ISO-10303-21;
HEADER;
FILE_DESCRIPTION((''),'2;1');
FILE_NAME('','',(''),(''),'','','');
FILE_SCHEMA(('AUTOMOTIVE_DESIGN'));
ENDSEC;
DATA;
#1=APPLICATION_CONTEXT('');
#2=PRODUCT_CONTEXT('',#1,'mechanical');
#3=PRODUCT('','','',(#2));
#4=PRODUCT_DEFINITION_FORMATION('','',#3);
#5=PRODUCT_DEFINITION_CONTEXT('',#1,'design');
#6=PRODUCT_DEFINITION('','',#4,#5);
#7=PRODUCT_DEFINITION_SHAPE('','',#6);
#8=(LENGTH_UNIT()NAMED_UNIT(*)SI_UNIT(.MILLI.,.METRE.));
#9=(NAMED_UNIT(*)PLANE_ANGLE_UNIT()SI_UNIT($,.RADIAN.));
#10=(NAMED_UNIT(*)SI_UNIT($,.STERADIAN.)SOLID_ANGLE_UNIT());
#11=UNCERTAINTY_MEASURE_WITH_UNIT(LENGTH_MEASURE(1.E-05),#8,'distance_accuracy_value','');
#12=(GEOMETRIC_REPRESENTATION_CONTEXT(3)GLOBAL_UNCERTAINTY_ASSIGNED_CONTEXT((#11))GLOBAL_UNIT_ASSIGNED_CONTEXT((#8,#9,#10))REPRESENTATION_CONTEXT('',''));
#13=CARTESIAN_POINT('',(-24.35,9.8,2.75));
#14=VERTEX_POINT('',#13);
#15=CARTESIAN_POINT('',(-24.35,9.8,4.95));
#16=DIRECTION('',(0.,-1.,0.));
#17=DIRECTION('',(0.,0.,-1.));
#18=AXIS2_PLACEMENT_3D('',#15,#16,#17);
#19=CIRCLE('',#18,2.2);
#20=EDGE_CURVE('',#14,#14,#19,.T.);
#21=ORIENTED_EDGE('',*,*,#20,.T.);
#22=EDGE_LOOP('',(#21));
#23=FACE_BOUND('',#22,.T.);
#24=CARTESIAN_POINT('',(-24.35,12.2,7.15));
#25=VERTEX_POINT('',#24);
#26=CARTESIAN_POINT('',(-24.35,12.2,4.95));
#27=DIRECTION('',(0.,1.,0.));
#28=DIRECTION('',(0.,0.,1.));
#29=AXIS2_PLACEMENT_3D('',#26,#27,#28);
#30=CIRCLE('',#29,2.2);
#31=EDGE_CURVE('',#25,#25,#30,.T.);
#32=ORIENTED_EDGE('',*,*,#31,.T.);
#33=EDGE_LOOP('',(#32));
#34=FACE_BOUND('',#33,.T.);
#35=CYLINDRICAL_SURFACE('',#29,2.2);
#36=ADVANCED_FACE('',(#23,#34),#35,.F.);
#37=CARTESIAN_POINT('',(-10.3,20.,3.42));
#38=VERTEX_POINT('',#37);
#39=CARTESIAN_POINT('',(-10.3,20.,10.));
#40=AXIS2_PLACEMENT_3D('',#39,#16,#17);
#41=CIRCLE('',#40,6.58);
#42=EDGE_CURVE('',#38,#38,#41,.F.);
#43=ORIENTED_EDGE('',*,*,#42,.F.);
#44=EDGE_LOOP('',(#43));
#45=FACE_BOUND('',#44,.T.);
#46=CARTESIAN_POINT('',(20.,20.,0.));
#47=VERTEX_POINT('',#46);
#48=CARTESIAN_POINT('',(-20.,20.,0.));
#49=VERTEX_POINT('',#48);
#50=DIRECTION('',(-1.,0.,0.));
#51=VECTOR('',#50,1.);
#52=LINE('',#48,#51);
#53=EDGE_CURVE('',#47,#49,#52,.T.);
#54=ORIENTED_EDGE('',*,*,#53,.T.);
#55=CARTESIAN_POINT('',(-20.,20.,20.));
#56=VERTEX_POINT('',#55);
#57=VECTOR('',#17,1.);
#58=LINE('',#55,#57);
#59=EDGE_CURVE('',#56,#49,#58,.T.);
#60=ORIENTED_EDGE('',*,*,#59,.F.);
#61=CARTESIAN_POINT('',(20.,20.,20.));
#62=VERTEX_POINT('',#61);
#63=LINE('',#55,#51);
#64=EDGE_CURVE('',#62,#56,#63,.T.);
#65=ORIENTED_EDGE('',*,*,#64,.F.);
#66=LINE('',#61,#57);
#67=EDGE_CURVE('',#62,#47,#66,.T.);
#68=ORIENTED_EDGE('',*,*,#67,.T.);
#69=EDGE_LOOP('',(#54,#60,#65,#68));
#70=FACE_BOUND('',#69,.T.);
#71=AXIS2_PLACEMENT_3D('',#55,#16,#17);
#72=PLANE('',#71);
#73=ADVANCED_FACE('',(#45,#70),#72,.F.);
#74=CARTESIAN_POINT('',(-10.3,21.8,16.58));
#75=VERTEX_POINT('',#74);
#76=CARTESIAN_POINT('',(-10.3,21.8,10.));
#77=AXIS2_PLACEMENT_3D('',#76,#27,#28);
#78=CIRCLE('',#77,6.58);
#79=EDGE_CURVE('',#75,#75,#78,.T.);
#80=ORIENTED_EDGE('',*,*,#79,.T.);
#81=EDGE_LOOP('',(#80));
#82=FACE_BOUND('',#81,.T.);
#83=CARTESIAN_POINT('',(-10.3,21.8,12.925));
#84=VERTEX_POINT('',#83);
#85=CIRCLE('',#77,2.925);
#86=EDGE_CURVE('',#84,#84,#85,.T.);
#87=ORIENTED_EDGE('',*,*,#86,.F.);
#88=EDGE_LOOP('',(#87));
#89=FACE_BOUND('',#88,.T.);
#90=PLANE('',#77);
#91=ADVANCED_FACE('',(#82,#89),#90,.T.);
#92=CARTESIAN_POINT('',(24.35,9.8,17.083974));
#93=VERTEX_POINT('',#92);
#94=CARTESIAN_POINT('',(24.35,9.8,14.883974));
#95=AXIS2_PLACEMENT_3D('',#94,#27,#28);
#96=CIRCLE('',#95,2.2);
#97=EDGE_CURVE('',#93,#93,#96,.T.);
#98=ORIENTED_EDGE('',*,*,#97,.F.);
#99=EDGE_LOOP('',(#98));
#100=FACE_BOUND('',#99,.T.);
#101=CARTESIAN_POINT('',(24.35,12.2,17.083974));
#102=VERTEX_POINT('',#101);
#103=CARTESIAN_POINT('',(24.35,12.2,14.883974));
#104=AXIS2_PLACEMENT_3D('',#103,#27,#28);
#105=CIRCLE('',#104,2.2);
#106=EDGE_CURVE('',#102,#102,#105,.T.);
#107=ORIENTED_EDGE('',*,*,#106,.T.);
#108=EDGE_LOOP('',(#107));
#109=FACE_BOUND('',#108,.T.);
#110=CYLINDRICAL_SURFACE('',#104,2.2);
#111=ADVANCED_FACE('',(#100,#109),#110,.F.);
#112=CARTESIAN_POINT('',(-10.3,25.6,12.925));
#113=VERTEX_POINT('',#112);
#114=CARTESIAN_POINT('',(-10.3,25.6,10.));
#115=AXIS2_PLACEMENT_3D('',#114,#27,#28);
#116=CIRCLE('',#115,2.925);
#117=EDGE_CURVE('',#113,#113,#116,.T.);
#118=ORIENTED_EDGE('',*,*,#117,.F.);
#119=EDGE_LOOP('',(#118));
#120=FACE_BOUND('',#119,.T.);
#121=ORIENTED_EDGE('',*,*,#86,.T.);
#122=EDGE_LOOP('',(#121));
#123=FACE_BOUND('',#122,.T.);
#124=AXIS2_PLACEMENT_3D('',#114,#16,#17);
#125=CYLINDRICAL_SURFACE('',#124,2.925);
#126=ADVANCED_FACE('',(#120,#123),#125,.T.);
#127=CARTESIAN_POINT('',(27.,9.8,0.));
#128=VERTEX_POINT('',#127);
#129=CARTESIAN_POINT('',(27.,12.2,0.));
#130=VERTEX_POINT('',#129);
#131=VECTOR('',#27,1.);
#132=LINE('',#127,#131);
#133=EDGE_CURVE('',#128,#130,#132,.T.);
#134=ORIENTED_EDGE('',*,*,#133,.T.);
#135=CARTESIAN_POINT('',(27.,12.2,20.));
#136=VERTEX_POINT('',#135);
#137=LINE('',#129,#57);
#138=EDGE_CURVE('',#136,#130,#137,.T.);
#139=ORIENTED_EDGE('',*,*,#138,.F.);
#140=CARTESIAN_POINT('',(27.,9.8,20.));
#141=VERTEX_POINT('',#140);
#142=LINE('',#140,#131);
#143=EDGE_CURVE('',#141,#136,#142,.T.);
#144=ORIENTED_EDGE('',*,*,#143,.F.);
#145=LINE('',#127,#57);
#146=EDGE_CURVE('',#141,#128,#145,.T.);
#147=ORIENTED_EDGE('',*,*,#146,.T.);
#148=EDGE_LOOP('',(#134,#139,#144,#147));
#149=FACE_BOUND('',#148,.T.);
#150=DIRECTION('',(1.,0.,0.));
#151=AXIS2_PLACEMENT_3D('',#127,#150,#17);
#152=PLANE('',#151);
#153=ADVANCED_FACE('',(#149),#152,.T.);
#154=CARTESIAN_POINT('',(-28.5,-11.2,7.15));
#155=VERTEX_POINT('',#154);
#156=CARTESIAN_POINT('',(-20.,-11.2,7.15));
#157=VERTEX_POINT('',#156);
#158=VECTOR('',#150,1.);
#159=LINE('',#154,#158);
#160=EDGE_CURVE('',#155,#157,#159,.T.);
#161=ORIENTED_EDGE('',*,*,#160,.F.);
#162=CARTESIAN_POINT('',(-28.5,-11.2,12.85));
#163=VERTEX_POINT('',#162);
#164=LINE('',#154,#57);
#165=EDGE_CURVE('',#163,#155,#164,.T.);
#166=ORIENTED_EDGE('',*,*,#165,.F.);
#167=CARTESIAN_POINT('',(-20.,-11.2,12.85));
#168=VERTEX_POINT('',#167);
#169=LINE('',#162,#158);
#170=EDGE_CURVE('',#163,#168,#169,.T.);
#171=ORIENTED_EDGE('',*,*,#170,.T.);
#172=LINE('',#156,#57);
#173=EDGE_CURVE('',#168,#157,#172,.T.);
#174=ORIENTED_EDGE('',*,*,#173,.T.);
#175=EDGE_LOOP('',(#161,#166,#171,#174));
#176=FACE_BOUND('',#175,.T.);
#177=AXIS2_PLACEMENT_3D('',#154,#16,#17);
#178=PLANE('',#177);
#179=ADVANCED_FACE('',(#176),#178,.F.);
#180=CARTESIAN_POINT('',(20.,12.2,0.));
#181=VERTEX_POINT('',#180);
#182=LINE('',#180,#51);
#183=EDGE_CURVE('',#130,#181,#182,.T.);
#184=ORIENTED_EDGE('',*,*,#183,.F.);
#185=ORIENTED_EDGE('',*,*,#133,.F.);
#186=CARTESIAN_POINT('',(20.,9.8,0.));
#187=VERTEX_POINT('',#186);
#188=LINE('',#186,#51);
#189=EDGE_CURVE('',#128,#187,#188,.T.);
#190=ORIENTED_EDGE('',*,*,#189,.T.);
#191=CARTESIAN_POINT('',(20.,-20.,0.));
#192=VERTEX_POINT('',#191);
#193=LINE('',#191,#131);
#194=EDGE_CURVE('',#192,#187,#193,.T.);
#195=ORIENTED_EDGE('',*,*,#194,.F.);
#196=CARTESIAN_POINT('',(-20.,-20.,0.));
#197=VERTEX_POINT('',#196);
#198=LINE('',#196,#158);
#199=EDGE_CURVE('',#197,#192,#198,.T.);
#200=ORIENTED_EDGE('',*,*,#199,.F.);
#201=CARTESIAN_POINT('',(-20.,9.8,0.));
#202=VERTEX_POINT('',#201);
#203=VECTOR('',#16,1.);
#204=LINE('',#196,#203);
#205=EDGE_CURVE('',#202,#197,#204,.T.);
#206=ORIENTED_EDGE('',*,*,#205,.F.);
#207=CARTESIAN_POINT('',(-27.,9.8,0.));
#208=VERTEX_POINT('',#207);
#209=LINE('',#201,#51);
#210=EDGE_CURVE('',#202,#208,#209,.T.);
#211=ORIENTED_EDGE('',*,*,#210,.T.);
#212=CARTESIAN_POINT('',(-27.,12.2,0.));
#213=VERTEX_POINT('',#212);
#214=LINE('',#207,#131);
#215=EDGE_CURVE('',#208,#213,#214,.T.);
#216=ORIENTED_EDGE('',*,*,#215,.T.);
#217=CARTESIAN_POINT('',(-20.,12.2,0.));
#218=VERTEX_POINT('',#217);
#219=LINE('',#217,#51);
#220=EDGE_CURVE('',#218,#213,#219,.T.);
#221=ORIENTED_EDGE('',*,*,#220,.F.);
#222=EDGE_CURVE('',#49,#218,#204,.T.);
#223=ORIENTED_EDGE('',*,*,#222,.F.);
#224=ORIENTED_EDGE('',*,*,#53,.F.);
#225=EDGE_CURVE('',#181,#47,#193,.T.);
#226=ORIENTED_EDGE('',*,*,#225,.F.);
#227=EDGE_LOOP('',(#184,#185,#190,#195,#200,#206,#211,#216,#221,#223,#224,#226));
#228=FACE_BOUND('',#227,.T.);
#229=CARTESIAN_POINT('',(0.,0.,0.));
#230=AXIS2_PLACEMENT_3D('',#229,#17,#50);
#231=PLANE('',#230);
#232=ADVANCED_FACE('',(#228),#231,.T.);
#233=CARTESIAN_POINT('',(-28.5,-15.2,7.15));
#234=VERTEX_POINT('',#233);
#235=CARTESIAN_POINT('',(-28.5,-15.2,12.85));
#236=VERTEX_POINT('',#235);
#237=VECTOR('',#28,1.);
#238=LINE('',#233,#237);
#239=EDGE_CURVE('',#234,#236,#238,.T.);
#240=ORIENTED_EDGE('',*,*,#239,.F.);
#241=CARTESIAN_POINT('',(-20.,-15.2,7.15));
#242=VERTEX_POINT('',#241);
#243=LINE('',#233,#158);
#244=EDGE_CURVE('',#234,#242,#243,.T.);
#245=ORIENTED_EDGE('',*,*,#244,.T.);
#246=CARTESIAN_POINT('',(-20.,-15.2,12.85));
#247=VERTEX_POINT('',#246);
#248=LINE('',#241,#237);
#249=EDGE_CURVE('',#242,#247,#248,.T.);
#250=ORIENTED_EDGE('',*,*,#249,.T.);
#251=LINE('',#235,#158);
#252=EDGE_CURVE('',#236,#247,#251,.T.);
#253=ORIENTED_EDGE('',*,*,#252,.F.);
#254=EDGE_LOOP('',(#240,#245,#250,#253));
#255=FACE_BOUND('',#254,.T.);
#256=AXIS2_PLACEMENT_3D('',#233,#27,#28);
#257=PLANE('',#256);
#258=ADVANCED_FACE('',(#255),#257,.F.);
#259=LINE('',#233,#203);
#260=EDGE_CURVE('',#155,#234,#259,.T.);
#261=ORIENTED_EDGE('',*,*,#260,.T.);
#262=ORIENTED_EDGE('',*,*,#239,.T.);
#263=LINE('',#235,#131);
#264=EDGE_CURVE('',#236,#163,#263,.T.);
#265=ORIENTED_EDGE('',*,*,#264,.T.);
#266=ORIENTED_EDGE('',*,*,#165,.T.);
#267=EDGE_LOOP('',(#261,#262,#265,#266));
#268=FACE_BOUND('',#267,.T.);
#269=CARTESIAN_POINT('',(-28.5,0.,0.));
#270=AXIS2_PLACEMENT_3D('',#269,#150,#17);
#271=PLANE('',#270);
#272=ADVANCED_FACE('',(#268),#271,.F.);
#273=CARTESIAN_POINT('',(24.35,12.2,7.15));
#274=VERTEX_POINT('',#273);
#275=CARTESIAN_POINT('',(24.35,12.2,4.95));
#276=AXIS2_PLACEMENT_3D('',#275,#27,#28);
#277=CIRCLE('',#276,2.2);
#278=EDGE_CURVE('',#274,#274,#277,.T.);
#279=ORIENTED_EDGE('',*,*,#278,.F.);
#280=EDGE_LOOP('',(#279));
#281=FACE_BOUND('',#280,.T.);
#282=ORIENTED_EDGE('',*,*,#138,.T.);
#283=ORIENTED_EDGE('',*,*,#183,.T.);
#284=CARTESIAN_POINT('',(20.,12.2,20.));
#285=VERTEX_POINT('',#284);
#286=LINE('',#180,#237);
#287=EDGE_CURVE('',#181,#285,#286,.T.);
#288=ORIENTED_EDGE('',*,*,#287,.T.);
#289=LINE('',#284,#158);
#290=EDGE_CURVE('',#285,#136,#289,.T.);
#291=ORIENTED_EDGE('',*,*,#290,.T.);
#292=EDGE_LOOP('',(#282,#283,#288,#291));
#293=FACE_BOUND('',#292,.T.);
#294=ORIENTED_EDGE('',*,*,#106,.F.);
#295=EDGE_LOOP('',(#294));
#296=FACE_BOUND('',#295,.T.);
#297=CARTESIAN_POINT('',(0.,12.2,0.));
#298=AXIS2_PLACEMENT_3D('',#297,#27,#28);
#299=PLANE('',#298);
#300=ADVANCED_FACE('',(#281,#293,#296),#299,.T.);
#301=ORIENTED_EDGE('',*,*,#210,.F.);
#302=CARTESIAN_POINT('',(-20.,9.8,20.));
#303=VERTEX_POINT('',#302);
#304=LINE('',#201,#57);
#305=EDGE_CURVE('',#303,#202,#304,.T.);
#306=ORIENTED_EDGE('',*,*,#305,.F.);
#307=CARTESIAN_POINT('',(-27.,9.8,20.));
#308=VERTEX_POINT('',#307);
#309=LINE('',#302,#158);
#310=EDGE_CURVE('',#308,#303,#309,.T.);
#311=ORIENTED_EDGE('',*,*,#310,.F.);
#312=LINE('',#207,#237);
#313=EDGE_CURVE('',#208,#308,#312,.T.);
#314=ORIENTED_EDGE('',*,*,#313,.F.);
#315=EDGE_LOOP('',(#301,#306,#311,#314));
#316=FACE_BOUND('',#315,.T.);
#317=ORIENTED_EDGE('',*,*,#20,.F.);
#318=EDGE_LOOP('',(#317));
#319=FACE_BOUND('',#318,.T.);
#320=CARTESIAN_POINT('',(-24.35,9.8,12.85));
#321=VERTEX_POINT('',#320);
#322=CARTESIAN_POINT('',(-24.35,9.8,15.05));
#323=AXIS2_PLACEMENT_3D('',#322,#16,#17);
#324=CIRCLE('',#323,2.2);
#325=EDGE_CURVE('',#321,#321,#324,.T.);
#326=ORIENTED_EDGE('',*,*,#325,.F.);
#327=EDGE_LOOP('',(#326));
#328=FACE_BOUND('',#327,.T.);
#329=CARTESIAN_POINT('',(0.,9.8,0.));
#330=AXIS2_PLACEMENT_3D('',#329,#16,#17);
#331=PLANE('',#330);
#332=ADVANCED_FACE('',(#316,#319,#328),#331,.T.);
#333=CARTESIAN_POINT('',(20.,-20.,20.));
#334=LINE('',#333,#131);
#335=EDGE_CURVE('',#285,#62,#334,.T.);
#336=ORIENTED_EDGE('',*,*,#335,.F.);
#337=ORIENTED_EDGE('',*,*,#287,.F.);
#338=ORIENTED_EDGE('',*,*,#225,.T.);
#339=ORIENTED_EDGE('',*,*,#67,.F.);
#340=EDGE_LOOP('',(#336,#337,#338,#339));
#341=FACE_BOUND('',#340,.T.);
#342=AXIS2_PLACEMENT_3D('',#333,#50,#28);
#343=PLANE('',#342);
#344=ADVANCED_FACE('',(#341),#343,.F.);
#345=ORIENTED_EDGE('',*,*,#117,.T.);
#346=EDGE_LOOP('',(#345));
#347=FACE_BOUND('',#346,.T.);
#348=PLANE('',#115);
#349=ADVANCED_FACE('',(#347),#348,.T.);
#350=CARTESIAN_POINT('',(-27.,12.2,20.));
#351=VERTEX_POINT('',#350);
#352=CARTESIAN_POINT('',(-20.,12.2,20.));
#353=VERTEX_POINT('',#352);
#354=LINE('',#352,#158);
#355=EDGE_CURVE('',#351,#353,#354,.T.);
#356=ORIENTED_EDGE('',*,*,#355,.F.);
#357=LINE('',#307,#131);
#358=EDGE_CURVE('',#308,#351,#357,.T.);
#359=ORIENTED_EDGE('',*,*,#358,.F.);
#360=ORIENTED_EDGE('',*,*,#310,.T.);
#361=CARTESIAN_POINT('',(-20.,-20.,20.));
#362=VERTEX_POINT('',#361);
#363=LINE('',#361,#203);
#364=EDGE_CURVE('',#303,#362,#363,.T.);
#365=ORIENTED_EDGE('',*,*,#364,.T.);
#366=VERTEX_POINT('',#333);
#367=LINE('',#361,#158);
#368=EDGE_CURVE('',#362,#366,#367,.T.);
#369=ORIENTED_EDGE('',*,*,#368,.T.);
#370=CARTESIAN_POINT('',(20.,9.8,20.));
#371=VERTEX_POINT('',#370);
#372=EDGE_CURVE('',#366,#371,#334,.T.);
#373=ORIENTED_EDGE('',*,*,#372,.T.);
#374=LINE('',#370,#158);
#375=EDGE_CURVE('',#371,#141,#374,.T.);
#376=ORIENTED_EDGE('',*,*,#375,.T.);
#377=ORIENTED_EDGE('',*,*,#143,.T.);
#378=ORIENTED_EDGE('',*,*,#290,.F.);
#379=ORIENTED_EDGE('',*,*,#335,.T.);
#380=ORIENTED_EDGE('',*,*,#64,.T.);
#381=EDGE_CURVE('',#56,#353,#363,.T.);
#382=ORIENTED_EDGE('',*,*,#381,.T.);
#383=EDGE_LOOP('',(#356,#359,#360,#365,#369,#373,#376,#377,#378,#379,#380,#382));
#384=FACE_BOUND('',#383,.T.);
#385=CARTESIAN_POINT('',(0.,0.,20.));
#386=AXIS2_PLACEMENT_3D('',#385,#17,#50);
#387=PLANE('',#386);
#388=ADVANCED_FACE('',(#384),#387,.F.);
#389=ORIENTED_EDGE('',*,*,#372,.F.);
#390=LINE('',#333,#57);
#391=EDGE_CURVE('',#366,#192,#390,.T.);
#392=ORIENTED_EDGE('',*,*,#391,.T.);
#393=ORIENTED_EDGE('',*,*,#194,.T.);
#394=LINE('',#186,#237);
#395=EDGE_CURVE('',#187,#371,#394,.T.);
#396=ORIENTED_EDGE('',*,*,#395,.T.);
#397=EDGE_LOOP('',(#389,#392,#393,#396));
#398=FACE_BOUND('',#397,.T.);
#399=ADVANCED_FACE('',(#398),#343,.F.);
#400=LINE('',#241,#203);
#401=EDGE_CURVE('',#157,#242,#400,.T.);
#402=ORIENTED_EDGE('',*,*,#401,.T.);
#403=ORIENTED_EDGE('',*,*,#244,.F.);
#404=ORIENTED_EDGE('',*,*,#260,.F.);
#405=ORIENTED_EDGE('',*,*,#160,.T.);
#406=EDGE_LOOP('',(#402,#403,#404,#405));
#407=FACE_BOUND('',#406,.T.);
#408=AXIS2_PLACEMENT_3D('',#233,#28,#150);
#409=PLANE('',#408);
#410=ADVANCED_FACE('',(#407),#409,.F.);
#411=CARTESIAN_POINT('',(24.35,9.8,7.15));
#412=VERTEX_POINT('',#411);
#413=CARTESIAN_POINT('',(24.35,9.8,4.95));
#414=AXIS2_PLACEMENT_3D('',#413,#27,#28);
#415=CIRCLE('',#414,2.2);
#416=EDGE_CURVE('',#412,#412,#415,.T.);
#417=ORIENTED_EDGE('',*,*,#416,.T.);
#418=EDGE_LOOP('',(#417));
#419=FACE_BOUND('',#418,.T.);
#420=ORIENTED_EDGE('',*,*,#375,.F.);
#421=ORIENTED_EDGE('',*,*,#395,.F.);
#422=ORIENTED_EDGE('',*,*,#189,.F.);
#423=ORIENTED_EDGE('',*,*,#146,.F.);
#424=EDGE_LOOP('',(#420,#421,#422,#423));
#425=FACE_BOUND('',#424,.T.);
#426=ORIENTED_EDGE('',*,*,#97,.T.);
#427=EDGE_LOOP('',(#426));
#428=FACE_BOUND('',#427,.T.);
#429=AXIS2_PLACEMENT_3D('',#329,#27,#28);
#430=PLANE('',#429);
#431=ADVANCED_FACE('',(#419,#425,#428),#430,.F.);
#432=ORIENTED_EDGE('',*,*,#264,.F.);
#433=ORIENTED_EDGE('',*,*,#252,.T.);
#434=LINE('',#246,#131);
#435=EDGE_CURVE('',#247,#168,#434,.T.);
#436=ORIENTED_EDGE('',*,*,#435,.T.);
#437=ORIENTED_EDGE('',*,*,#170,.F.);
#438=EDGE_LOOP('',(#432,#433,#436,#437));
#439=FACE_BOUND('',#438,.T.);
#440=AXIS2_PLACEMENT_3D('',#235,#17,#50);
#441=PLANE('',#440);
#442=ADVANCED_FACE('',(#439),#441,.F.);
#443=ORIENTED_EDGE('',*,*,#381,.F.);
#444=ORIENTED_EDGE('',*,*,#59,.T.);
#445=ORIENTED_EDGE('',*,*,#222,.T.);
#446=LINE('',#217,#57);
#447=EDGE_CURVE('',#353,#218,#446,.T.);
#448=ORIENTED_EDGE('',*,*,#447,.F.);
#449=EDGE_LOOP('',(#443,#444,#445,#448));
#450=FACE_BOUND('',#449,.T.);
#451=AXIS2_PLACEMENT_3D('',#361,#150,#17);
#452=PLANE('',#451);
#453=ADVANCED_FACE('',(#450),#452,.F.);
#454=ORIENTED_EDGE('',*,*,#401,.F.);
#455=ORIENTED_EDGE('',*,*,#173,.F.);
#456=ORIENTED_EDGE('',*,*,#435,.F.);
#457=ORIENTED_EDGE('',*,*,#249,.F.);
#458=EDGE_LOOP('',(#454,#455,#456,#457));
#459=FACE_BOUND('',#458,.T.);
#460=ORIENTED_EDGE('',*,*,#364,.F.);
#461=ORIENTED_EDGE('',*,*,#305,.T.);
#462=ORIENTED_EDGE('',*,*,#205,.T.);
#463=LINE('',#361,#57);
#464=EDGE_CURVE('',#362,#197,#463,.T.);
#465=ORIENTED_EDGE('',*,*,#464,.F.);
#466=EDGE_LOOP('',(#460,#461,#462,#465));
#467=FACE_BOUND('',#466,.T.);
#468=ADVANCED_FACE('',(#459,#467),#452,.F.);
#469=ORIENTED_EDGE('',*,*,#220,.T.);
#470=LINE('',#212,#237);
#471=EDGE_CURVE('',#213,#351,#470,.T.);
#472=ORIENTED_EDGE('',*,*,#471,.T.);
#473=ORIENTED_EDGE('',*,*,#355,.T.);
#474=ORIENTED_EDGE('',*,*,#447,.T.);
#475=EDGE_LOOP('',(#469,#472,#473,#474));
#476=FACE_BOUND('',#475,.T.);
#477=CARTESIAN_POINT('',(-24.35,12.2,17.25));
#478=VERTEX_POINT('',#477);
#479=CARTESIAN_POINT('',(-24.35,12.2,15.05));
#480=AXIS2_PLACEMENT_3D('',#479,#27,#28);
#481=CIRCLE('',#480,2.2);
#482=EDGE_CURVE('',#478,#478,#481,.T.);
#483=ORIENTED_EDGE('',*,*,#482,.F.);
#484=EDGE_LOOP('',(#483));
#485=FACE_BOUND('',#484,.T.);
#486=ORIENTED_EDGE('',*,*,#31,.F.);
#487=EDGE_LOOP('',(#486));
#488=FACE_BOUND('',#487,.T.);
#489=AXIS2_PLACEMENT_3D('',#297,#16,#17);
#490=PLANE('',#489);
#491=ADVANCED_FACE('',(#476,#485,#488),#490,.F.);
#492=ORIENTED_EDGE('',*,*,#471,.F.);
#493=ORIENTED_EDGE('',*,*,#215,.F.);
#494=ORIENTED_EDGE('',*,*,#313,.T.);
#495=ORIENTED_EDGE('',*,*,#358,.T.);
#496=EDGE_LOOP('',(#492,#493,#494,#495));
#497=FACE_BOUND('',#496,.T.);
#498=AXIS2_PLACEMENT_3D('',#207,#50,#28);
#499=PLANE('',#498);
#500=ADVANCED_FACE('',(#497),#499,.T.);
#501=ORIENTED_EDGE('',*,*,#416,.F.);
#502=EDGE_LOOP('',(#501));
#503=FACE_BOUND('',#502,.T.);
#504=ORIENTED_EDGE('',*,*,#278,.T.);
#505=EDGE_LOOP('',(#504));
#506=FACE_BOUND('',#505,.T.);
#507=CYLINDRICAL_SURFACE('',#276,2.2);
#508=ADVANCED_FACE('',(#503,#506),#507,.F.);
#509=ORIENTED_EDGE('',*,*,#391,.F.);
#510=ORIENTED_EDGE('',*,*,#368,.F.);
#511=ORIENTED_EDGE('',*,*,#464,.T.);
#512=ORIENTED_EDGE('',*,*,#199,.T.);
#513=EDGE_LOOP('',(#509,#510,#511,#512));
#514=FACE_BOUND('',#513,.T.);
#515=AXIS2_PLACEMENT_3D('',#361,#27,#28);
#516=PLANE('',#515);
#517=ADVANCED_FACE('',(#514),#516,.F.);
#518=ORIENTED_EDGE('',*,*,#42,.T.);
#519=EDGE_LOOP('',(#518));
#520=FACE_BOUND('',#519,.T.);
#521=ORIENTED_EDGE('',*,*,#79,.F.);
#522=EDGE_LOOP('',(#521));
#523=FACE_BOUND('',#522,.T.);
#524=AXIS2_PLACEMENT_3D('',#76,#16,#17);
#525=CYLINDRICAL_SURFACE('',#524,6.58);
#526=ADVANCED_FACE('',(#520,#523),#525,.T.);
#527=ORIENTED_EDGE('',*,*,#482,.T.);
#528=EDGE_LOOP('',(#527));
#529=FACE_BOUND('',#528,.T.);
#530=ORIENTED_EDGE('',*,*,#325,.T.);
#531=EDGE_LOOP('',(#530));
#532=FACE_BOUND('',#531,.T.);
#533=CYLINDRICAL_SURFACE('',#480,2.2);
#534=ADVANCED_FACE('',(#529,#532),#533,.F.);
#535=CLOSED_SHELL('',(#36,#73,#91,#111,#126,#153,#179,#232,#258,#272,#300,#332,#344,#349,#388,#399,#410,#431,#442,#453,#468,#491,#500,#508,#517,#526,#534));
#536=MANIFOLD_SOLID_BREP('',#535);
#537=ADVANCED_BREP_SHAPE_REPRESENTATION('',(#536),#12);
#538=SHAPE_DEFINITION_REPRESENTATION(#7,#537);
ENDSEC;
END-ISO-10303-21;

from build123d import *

# Parameters (mm, degrees)
SKETCH_1_W              = 40
SKETCH_1_H              = 40
EXTRUDE_1_DEPTH         = 20
SKETCH_2_R              = 6.58
EXTRUDE_2_DEPTH         = 1.8
SKETCH_3_R              = 2.925
EXTRUDE_3_DEPTH         = 3.8
SKETCH_4_W              = 7
SKETCH_4_H              = 20
EXTRUDE_4_DEPTH         = 2.4
HOLE_WIZARD_4_4_4_4_1_D = 4.4
SKETCH_7_W              = 5.7
SKETCH_7_H              = 4
EXTRUDE_5_DEPTH         = 8.5


with BuildPart() as part:
    # 草图1 → 凸台-拉伸1 (new body)
    with BuildSketch(Plane.XY):
        Rectangle(SKETCH_1_W, SKETCH_1_H)
    extrude(amount=EXTRUDE_1_DEPTH)

    # 草图2 → 凸台-拉伸2 (add)
    with BuildSketch(Plane(origin=(0, 20, 0), x_dir=(1, 0, 0), z_dir=(0, 1, 0))):
        with Locations((-10.3, -10)):
            Circle(SKETCH_2_R)
    extrude(amount=EXTRUDE_2_DEPTH)

    # 草图3 → 凸台-拉伸3 (add)
    with BuildSketch(Plane(origin=(0, 21.8, 0), x_dir=(1, 0, 0), z_dir=(0, 1, 0))):
        with Locations((-10.3, -10)):
            Circle(SKETCH_3_R)
    extrude(amount=EXTRUDE_3_DEPTH)

    # 草图4 → 凸台-拉伸4 (add)
    with BuildSketch(Plane(origin=(0, 12.2, 0), x_dir=(1, 0, 0), z_dir=(0, 1, 0))):
        with Locations((-23.5, -10)):
            Rectangle(SKETCH_4_W, SKETCH_4_H)
        with Locations((23.5, -10)):
            Rectangle(SKETCH_4_W, SKETCH_4_H)
    extrude(amount=-EXTRUDE_4_DEPTH)

    # Ø4.4 (4.4) 直径孔1 (through all)
    with Locations(Plane(origin=(0, 12.2, 0), x_dir=(1, 0, 0), z_dir=(0, 1, 0))):
        with Locations((-24.35, -4.95), (-24.35, -15.05), (24.35, -4.95), (24.35, -14.883974449)):
            Hole(HOLE_WIZARD_4_4_4_4_1_D / 2)

    # 草图7 → 凸台-拉伸5 (add)
    with BuildSketch(Plane.ZY.offset(20)):
        with Locations((10, -13.2)):
            Rectangle(SKETCH_7_W, SKETCH_7_H)
    extrude(amount=EXTRUDE_5_DEPTH)


solid = part.part
